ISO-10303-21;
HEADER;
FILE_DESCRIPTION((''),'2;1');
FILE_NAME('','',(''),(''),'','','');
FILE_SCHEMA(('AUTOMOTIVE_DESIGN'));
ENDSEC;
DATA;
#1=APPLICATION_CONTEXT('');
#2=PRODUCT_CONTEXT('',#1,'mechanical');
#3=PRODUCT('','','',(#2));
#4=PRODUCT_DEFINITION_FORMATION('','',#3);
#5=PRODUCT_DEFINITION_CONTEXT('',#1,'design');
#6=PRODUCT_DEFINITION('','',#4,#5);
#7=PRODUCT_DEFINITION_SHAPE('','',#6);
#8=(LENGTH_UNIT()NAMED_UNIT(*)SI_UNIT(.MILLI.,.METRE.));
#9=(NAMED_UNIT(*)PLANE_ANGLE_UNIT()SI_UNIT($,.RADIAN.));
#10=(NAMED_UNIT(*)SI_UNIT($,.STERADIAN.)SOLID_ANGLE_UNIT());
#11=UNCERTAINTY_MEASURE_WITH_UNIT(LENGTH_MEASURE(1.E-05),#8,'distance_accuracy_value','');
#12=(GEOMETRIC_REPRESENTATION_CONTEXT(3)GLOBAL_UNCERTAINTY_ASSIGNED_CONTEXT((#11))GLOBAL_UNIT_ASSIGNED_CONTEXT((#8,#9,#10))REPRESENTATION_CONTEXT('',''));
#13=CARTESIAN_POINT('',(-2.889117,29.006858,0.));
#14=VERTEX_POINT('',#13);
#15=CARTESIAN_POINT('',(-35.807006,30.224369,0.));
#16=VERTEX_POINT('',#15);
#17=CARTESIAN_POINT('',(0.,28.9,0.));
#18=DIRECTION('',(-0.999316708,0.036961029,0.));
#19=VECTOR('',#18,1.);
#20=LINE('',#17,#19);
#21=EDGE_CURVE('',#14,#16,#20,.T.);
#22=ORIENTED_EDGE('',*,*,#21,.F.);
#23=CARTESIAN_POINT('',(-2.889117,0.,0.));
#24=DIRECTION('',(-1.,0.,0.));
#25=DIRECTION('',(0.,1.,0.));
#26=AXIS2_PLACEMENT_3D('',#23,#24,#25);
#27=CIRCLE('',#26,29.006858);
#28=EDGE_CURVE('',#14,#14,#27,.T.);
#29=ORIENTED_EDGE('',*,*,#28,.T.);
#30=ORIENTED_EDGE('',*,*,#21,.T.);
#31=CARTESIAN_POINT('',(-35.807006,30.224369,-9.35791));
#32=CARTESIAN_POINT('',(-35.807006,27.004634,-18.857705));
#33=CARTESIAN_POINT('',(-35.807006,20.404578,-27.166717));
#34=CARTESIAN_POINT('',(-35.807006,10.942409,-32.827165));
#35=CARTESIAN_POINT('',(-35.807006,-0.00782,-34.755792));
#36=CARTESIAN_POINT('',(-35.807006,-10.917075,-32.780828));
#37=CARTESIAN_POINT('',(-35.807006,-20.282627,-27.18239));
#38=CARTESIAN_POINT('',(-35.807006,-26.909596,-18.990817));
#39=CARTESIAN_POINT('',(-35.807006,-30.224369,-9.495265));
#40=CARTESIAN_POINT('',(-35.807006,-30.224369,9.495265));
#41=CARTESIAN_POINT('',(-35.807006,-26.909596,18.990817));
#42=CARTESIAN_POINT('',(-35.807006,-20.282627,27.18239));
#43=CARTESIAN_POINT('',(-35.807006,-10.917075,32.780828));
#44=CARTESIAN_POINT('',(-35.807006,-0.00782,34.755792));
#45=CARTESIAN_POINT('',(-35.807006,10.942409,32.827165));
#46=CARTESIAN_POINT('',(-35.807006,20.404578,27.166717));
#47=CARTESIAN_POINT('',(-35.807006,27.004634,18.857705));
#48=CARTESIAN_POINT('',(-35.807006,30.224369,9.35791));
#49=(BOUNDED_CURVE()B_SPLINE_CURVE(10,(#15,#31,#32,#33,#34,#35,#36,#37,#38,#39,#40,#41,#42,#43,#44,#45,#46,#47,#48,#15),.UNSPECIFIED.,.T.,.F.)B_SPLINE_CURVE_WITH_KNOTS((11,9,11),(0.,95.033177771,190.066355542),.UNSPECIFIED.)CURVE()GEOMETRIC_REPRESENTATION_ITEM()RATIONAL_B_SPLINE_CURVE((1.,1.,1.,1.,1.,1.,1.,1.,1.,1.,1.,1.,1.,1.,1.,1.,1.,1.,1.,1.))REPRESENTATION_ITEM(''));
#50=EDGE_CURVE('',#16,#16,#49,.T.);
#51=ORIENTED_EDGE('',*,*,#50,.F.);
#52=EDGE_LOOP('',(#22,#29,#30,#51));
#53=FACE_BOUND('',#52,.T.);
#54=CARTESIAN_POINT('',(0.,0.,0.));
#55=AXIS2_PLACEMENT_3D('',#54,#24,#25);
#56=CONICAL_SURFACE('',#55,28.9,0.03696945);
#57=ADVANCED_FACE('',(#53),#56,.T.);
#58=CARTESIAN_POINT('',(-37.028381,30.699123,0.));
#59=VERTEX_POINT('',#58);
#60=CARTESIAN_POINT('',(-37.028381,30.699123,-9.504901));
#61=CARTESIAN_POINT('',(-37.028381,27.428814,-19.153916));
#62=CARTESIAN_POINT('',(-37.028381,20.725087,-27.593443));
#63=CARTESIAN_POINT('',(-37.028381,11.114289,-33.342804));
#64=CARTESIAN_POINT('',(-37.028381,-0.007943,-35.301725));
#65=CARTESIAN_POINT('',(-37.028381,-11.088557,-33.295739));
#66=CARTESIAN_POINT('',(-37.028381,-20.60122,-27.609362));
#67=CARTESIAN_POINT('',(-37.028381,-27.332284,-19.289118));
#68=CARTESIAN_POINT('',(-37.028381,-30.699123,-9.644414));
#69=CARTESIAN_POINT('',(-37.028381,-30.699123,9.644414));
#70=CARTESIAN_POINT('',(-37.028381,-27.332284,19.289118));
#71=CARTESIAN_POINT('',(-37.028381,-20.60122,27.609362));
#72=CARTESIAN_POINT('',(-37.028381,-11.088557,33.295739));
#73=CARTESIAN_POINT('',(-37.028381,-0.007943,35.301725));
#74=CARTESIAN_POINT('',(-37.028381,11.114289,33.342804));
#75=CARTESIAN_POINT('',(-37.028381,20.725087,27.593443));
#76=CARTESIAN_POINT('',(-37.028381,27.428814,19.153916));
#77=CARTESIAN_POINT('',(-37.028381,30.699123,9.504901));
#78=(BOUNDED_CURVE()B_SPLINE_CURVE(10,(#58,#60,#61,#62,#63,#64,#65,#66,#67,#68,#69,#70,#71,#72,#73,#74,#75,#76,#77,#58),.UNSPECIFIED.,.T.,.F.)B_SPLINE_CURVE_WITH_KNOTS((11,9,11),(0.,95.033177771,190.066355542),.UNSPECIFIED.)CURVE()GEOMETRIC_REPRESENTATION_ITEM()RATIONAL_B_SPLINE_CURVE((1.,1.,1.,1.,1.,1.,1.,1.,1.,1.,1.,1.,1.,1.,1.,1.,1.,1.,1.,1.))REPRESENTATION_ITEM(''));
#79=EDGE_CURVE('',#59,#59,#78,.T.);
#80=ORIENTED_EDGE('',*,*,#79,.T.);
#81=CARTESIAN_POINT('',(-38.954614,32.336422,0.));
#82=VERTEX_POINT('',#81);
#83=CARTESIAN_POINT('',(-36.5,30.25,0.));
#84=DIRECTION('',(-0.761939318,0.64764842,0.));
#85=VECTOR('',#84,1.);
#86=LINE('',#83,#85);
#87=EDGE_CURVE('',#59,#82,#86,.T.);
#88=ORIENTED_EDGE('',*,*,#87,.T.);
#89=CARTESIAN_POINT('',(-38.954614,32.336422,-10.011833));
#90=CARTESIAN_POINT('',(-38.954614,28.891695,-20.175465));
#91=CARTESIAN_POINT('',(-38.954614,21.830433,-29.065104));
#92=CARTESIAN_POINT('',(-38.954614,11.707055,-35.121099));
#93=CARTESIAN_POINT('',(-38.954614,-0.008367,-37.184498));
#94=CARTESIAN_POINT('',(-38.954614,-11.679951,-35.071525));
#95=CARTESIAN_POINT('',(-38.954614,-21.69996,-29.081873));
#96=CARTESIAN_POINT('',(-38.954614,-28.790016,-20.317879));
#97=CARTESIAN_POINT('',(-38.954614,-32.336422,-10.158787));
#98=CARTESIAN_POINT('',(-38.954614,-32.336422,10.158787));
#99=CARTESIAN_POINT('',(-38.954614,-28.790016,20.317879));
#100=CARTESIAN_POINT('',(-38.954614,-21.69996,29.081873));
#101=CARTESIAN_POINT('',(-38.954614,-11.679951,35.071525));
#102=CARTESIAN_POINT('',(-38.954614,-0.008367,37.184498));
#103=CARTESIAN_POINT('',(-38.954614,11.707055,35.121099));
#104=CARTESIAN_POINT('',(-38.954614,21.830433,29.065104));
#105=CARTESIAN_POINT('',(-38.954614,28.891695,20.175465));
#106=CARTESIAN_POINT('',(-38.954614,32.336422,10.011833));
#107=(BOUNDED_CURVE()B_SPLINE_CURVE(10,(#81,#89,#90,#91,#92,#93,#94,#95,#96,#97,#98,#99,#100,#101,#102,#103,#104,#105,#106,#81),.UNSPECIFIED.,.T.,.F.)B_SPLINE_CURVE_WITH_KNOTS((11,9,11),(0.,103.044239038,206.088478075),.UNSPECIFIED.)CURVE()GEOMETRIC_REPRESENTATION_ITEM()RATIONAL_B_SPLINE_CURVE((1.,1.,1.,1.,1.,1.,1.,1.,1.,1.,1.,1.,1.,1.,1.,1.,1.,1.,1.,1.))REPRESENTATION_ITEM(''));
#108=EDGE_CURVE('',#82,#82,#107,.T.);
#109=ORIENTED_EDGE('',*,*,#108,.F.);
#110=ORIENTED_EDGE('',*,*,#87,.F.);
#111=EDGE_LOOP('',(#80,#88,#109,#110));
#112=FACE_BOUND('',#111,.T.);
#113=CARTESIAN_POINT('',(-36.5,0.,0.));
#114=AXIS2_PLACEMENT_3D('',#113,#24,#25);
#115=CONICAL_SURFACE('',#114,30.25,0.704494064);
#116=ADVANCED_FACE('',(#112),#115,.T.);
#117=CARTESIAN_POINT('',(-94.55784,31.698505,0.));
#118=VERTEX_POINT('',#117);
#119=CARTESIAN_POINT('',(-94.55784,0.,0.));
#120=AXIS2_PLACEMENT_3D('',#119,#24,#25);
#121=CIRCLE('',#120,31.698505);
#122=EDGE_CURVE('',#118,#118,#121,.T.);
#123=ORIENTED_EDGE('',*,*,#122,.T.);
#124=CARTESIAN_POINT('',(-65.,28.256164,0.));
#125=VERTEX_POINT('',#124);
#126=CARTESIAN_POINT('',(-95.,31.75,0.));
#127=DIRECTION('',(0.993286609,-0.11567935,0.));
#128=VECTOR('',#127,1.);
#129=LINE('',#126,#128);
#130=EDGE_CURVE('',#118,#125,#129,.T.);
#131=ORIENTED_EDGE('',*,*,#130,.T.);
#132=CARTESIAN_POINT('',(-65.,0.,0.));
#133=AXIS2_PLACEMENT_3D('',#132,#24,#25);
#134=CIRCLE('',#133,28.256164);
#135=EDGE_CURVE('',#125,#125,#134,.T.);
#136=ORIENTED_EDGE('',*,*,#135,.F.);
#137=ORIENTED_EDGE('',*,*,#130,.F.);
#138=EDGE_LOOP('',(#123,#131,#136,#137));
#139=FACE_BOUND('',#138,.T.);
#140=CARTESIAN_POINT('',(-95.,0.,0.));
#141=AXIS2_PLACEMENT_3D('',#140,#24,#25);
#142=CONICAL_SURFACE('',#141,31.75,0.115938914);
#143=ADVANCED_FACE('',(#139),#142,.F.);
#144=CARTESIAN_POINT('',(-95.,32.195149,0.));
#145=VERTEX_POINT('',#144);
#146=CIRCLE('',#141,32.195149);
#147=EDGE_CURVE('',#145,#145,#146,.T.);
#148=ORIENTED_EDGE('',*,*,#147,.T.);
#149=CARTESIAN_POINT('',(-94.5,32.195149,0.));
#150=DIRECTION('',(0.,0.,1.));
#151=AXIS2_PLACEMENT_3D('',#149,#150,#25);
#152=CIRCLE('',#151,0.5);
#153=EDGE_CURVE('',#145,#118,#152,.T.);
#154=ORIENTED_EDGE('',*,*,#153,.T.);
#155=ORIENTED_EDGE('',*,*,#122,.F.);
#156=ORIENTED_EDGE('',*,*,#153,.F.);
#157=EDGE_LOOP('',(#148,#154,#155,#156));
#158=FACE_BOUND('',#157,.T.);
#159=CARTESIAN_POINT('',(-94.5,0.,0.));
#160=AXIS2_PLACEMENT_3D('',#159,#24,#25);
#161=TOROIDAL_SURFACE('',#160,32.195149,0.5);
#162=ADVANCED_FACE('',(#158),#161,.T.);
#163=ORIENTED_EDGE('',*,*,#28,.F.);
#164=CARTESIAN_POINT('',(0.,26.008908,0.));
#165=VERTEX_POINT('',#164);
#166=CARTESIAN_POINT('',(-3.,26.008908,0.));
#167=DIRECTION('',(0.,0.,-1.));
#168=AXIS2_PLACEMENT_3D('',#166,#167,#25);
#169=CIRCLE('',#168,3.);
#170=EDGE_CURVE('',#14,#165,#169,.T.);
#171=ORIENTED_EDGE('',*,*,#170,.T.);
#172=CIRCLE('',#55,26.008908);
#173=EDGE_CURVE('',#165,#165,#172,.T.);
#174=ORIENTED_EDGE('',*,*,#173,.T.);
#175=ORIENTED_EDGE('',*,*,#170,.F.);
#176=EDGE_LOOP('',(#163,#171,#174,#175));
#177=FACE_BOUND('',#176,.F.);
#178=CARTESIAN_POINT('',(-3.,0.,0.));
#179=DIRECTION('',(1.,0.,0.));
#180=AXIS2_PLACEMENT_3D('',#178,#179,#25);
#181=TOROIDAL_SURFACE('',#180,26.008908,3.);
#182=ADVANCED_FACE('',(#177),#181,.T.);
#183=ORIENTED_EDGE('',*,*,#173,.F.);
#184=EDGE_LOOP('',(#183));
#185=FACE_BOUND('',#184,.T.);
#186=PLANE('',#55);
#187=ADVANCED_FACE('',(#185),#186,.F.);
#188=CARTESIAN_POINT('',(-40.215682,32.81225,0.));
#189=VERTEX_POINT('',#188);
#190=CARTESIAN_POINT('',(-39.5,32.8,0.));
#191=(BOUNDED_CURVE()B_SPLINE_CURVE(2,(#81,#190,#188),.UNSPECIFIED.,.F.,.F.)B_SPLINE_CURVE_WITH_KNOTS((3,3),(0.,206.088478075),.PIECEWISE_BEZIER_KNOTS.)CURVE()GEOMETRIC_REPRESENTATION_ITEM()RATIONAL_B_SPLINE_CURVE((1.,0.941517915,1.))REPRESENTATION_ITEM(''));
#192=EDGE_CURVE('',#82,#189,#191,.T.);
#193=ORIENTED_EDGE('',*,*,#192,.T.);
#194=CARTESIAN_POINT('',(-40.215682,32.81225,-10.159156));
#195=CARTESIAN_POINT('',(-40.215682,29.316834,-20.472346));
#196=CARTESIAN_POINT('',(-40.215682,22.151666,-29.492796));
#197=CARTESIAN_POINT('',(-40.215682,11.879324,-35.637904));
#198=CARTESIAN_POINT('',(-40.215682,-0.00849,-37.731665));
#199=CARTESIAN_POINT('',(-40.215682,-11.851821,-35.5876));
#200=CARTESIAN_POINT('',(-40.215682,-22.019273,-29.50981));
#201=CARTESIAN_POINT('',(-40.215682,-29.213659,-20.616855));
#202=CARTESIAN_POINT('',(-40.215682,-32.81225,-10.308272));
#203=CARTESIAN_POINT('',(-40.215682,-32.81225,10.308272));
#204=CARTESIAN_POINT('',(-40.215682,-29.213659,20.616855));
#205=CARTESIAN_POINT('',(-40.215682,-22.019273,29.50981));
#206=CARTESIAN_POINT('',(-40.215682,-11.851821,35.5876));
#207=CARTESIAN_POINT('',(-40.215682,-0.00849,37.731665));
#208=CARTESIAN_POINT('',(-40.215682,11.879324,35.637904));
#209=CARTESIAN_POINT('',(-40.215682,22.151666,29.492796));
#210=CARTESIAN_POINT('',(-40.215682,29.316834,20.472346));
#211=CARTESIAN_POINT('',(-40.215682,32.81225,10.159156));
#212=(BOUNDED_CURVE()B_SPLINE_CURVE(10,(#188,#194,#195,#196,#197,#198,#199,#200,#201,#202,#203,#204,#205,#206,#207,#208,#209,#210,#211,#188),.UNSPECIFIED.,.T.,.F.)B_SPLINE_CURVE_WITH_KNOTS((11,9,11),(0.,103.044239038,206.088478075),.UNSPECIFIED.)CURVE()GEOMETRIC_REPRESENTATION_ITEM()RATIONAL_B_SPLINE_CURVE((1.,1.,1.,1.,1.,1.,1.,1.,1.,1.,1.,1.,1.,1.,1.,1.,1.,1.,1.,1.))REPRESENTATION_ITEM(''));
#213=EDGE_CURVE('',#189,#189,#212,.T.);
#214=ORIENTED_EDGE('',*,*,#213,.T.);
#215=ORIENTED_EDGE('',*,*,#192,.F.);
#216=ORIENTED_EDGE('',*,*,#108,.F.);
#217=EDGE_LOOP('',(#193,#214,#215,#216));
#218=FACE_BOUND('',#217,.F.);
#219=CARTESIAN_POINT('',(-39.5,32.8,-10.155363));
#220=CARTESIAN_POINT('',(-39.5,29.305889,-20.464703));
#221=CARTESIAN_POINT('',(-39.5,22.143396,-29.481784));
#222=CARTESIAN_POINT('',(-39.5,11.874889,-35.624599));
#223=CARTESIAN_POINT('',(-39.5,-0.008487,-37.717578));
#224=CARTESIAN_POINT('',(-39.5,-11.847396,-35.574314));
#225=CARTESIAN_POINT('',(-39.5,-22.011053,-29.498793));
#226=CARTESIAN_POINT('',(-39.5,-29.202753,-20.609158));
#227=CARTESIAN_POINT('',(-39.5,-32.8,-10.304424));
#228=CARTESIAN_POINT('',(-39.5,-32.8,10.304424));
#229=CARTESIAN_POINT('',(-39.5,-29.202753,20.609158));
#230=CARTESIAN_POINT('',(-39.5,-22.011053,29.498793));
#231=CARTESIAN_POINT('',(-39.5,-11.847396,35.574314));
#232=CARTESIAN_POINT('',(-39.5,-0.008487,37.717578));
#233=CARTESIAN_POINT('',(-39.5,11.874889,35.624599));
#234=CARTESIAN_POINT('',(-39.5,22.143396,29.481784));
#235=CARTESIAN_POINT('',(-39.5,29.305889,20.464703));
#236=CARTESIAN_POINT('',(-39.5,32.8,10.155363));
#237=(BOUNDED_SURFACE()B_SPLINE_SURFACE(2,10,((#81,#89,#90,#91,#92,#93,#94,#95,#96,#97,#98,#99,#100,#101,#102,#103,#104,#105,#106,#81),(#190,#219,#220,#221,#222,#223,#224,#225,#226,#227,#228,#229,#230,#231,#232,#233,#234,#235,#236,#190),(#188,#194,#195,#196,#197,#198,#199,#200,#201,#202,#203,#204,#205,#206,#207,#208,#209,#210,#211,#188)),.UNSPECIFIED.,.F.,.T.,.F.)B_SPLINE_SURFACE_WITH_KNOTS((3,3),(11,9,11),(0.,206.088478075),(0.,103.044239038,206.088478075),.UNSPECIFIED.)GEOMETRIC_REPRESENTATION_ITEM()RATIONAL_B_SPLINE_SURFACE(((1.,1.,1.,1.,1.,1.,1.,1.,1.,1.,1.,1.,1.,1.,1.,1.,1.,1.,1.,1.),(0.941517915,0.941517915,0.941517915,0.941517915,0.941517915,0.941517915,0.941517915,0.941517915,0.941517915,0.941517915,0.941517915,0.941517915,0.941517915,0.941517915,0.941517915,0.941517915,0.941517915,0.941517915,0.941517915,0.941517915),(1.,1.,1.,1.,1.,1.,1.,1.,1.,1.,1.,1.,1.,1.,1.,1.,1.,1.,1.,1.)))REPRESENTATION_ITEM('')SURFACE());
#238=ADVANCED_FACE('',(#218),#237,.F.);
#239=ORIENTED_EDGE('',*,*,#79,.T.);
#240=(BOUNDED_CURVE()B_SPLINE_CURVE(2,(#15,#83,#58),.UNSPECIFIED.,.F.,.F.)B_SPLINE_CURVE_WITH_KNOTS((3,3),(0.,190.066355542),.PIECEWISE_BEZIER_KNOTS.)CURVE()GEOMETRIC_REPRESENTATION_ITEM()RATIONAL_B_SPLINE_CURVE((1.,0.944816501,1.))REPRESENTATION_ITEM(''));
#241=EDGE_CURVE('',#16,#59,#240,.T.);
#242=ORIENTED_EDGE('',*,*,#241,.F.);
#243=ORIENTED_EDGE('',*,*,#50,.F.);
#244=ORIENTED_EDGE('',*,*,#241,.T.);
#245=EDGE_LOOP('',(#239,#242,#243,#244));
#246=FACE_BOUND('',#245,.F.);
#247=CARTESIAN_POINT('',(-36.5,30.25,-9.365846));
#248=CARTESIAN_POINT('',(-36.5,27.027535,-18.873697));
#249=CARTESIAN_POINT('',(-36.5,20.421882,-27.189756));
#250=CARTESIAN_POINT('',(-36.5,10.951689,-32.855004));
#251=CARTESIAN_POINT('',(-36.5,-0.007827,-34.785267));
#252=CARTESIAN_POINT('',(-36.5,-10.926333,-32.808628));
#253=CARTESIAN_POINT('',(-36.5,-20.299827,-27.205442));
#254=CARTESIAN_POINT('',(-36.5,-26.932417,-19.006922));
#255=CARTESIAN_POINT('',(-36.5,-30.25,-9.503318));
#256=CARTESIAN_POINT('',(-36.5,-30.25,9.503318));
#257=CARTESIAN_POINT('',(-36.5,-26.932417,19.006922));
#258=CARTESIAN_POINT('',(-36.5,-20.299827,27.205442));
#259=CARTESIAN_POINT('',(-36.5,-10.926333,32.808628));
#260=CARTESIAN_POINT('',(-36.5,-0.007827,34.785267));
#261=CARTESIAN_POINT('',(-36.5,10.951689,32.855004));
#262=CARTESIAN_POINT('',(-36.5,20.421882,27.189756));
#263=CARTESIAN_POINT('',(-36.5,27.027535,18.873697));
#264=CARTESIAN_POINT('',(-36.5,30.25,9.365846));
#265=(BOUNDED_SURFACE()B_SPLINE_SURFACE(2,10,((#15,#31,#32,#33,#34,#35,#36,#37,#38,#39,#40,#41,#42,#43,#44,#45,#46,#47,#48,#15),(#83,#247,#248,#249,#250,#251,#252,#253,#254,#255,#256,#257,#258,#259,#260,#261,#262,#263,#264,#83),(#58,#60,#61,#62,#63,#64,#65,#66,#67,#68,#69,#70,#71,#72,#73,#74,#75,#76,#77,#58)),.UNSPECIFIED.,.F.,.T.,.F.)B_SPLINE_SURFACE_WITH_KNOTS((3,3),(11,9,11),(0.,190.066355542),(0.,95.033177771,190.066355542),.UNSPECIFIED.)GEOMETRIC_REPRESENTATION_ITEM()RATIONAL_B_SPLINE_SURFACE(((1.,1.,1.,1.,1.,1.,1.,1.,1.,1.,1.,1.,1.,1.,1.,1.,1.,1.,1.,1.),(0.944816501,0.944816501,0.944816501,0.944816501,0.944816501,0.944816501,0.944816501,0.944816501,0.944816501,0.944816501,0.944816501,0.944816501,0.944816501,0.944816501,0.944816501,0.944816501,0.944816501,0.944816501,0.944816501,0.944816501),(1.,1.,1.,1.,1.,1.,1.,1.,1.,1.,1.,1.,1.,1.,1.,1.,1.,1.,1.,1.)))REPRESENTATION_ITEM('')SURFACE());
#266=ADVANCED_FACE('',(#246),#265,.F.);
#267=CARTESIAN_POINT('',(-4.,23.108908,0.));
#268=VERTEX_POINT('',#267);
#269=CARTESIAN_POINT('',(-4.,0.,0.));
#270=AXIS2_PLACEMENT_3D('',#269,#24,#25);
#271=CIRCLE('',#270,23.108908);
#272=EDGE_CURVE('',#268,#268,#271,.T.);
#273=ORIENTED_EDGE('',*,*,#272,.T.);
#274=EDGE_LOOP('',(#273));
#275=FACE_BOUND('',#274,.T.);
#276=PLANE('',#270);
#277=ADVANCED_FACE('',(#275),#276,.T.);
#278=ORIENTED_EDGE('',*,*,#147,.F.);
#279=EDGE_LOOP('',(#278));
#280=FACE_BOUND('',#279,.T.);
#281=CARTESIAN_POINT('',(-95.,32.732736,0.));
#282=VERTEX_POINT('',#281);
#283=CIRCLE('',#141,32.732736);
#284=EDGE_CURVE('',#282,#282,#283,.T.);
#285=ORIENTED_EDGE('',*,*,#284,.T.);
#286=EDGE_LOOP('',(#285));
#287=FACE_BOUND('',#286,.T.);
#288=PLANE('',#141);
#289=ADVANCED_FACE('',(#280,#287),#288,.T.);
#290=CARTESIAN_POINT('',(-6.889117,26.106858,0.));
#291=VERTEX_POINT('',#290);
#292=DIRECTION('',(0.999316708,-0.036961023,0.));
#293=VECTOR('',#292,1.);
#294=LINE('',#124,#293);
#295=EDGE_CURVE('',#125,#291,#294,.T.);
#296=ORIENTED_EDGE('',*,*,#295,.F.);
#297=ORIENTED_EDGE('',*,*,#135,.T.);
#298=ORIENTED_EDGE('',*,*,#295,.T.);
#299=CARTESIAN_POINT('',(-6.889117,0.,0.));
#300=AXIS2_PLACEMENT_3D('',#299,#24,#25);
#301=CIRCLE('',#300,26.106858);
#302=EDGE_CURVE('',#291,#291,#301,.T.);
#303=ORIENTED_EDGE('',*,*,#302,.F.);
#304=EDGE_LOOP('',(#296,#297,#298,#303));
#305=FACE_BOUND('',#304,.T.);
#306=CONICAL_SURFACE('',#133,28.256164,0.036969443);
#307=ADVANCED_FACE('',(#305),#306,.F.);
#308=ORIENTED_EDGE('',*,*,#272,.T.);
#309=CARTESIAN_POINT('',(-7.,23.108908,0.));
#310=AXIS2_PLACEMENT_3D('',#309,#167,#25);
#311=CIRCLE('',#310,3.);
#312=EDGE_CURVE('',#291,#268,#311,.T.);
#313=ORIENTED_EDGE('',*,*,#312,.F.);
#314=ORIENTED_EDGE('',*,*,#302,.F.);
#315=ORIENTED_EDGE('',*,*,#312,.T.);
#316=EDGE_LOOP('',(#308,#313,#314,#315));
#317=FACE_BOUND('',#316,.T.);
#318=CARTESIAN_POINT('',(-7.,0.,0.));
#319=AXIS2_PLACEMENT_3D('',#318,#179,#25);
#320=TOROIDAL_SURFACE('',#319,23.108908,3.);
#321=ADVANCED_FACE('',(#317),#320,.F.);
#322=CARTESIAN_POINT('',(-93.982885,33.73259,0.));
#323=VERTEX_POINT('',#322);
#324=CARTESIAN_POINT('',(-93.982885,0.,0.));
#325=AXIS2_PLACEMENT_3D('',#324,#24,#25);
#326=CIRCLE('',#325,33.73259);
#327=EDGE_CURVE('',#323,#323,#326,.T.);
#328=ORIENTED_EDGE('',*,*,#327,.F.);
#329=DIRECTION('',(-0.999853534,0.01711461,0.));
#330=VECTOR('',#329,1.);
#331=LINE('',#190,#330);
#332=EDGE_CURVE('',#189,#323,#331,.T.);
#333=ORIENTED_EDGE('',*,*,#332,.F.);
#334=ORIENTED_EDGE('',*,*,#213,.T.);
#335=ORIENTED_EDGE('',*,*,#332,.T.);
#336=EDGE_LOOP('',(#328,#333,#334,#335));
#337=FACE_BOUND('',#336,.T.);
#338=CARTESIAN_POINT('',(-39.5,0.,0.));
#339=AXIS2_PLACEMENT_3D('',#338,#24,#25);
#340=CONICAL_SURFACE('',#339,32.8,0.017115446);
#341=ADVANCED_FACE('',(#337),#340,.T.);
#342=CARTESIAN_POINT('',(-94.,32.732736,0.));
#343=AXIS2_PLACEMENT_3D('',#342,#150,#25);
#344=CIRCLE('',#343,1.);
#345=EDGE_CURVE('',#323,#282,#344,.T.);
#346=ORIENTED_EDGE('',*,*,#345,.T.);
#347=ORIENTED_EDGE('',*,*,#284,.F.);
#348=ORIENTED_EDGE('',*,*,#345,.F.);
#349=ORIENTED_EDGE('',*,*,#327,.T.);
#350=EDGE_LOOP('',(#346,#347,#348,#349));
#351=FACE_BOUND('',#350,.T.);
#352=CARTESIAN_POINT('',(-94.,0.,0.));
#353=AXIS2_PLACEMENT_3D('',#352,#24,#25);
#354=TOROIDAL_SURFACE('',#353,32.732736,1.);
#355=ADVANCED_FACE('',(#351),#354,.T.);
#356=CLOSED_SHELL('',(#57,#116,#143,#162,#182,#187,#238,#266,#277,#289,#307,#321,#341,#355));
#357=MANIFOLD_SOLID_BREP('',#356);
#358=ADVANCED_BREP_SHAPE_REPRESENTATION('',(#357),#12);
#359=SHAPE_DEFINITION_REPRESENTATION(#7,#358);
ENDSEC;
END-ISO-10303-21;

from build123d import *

# Parameters (mm, degrees)
F2_R = 1
F3_R = 0.5
F4_R = 3
F5_R = 2
F6_R = 3


with BuildPart() as f1:
    # F0 (on Top) → F1 (revolve)
    with BuildSketch(Plane.XY):
        Polygon((-4, 0), (0, 0), (0, 28.9), (-36.5, 30.25), (-39.5, 32.8), (-95, 33.75), (-95, 31.75), (-65, 28.256164), (-4, 26), align=None)
    revolve(axis=Axis((-75.031272, 0, 0), (-1, 0, 0)))

    # F2
    f2_edges = [f1.edges().sort_by_distance(p)[0] for p in [
        (-95, -33.75, 0),
    ]]
    fillet(f2_edges, radius=F2_R)

    # F3
    f3_edges = [f1.edges().sort_by_distance(p)[0] for p in [
        (-95, -31.75, 0),
    ]]
    fillet(f3_edges, radius=F3_R)

    # F4
    f4_edges = [f1.edges().sort_by_distance(p)[0] for p in [
        (0, -28.9, 0),
    ]]
    fillet(f4_edges, radius=F4_R)

    # F5
    f5_edges = [f1.edges().sort_by_distance(p)[0] for p in [
        (-36.5, -30.25, 0),
        (-39.5, -32.8, 0),
    ]]
    fillet(f5_edges, radius=F5_R)

    # F6
    f6_edges = [f1.edges().sort_by_distance(p)[0] for p in [
        (-4, -26, 0),
    ]]
    fillet(f6_edges, radius=F6_R)


solid = f1.part
